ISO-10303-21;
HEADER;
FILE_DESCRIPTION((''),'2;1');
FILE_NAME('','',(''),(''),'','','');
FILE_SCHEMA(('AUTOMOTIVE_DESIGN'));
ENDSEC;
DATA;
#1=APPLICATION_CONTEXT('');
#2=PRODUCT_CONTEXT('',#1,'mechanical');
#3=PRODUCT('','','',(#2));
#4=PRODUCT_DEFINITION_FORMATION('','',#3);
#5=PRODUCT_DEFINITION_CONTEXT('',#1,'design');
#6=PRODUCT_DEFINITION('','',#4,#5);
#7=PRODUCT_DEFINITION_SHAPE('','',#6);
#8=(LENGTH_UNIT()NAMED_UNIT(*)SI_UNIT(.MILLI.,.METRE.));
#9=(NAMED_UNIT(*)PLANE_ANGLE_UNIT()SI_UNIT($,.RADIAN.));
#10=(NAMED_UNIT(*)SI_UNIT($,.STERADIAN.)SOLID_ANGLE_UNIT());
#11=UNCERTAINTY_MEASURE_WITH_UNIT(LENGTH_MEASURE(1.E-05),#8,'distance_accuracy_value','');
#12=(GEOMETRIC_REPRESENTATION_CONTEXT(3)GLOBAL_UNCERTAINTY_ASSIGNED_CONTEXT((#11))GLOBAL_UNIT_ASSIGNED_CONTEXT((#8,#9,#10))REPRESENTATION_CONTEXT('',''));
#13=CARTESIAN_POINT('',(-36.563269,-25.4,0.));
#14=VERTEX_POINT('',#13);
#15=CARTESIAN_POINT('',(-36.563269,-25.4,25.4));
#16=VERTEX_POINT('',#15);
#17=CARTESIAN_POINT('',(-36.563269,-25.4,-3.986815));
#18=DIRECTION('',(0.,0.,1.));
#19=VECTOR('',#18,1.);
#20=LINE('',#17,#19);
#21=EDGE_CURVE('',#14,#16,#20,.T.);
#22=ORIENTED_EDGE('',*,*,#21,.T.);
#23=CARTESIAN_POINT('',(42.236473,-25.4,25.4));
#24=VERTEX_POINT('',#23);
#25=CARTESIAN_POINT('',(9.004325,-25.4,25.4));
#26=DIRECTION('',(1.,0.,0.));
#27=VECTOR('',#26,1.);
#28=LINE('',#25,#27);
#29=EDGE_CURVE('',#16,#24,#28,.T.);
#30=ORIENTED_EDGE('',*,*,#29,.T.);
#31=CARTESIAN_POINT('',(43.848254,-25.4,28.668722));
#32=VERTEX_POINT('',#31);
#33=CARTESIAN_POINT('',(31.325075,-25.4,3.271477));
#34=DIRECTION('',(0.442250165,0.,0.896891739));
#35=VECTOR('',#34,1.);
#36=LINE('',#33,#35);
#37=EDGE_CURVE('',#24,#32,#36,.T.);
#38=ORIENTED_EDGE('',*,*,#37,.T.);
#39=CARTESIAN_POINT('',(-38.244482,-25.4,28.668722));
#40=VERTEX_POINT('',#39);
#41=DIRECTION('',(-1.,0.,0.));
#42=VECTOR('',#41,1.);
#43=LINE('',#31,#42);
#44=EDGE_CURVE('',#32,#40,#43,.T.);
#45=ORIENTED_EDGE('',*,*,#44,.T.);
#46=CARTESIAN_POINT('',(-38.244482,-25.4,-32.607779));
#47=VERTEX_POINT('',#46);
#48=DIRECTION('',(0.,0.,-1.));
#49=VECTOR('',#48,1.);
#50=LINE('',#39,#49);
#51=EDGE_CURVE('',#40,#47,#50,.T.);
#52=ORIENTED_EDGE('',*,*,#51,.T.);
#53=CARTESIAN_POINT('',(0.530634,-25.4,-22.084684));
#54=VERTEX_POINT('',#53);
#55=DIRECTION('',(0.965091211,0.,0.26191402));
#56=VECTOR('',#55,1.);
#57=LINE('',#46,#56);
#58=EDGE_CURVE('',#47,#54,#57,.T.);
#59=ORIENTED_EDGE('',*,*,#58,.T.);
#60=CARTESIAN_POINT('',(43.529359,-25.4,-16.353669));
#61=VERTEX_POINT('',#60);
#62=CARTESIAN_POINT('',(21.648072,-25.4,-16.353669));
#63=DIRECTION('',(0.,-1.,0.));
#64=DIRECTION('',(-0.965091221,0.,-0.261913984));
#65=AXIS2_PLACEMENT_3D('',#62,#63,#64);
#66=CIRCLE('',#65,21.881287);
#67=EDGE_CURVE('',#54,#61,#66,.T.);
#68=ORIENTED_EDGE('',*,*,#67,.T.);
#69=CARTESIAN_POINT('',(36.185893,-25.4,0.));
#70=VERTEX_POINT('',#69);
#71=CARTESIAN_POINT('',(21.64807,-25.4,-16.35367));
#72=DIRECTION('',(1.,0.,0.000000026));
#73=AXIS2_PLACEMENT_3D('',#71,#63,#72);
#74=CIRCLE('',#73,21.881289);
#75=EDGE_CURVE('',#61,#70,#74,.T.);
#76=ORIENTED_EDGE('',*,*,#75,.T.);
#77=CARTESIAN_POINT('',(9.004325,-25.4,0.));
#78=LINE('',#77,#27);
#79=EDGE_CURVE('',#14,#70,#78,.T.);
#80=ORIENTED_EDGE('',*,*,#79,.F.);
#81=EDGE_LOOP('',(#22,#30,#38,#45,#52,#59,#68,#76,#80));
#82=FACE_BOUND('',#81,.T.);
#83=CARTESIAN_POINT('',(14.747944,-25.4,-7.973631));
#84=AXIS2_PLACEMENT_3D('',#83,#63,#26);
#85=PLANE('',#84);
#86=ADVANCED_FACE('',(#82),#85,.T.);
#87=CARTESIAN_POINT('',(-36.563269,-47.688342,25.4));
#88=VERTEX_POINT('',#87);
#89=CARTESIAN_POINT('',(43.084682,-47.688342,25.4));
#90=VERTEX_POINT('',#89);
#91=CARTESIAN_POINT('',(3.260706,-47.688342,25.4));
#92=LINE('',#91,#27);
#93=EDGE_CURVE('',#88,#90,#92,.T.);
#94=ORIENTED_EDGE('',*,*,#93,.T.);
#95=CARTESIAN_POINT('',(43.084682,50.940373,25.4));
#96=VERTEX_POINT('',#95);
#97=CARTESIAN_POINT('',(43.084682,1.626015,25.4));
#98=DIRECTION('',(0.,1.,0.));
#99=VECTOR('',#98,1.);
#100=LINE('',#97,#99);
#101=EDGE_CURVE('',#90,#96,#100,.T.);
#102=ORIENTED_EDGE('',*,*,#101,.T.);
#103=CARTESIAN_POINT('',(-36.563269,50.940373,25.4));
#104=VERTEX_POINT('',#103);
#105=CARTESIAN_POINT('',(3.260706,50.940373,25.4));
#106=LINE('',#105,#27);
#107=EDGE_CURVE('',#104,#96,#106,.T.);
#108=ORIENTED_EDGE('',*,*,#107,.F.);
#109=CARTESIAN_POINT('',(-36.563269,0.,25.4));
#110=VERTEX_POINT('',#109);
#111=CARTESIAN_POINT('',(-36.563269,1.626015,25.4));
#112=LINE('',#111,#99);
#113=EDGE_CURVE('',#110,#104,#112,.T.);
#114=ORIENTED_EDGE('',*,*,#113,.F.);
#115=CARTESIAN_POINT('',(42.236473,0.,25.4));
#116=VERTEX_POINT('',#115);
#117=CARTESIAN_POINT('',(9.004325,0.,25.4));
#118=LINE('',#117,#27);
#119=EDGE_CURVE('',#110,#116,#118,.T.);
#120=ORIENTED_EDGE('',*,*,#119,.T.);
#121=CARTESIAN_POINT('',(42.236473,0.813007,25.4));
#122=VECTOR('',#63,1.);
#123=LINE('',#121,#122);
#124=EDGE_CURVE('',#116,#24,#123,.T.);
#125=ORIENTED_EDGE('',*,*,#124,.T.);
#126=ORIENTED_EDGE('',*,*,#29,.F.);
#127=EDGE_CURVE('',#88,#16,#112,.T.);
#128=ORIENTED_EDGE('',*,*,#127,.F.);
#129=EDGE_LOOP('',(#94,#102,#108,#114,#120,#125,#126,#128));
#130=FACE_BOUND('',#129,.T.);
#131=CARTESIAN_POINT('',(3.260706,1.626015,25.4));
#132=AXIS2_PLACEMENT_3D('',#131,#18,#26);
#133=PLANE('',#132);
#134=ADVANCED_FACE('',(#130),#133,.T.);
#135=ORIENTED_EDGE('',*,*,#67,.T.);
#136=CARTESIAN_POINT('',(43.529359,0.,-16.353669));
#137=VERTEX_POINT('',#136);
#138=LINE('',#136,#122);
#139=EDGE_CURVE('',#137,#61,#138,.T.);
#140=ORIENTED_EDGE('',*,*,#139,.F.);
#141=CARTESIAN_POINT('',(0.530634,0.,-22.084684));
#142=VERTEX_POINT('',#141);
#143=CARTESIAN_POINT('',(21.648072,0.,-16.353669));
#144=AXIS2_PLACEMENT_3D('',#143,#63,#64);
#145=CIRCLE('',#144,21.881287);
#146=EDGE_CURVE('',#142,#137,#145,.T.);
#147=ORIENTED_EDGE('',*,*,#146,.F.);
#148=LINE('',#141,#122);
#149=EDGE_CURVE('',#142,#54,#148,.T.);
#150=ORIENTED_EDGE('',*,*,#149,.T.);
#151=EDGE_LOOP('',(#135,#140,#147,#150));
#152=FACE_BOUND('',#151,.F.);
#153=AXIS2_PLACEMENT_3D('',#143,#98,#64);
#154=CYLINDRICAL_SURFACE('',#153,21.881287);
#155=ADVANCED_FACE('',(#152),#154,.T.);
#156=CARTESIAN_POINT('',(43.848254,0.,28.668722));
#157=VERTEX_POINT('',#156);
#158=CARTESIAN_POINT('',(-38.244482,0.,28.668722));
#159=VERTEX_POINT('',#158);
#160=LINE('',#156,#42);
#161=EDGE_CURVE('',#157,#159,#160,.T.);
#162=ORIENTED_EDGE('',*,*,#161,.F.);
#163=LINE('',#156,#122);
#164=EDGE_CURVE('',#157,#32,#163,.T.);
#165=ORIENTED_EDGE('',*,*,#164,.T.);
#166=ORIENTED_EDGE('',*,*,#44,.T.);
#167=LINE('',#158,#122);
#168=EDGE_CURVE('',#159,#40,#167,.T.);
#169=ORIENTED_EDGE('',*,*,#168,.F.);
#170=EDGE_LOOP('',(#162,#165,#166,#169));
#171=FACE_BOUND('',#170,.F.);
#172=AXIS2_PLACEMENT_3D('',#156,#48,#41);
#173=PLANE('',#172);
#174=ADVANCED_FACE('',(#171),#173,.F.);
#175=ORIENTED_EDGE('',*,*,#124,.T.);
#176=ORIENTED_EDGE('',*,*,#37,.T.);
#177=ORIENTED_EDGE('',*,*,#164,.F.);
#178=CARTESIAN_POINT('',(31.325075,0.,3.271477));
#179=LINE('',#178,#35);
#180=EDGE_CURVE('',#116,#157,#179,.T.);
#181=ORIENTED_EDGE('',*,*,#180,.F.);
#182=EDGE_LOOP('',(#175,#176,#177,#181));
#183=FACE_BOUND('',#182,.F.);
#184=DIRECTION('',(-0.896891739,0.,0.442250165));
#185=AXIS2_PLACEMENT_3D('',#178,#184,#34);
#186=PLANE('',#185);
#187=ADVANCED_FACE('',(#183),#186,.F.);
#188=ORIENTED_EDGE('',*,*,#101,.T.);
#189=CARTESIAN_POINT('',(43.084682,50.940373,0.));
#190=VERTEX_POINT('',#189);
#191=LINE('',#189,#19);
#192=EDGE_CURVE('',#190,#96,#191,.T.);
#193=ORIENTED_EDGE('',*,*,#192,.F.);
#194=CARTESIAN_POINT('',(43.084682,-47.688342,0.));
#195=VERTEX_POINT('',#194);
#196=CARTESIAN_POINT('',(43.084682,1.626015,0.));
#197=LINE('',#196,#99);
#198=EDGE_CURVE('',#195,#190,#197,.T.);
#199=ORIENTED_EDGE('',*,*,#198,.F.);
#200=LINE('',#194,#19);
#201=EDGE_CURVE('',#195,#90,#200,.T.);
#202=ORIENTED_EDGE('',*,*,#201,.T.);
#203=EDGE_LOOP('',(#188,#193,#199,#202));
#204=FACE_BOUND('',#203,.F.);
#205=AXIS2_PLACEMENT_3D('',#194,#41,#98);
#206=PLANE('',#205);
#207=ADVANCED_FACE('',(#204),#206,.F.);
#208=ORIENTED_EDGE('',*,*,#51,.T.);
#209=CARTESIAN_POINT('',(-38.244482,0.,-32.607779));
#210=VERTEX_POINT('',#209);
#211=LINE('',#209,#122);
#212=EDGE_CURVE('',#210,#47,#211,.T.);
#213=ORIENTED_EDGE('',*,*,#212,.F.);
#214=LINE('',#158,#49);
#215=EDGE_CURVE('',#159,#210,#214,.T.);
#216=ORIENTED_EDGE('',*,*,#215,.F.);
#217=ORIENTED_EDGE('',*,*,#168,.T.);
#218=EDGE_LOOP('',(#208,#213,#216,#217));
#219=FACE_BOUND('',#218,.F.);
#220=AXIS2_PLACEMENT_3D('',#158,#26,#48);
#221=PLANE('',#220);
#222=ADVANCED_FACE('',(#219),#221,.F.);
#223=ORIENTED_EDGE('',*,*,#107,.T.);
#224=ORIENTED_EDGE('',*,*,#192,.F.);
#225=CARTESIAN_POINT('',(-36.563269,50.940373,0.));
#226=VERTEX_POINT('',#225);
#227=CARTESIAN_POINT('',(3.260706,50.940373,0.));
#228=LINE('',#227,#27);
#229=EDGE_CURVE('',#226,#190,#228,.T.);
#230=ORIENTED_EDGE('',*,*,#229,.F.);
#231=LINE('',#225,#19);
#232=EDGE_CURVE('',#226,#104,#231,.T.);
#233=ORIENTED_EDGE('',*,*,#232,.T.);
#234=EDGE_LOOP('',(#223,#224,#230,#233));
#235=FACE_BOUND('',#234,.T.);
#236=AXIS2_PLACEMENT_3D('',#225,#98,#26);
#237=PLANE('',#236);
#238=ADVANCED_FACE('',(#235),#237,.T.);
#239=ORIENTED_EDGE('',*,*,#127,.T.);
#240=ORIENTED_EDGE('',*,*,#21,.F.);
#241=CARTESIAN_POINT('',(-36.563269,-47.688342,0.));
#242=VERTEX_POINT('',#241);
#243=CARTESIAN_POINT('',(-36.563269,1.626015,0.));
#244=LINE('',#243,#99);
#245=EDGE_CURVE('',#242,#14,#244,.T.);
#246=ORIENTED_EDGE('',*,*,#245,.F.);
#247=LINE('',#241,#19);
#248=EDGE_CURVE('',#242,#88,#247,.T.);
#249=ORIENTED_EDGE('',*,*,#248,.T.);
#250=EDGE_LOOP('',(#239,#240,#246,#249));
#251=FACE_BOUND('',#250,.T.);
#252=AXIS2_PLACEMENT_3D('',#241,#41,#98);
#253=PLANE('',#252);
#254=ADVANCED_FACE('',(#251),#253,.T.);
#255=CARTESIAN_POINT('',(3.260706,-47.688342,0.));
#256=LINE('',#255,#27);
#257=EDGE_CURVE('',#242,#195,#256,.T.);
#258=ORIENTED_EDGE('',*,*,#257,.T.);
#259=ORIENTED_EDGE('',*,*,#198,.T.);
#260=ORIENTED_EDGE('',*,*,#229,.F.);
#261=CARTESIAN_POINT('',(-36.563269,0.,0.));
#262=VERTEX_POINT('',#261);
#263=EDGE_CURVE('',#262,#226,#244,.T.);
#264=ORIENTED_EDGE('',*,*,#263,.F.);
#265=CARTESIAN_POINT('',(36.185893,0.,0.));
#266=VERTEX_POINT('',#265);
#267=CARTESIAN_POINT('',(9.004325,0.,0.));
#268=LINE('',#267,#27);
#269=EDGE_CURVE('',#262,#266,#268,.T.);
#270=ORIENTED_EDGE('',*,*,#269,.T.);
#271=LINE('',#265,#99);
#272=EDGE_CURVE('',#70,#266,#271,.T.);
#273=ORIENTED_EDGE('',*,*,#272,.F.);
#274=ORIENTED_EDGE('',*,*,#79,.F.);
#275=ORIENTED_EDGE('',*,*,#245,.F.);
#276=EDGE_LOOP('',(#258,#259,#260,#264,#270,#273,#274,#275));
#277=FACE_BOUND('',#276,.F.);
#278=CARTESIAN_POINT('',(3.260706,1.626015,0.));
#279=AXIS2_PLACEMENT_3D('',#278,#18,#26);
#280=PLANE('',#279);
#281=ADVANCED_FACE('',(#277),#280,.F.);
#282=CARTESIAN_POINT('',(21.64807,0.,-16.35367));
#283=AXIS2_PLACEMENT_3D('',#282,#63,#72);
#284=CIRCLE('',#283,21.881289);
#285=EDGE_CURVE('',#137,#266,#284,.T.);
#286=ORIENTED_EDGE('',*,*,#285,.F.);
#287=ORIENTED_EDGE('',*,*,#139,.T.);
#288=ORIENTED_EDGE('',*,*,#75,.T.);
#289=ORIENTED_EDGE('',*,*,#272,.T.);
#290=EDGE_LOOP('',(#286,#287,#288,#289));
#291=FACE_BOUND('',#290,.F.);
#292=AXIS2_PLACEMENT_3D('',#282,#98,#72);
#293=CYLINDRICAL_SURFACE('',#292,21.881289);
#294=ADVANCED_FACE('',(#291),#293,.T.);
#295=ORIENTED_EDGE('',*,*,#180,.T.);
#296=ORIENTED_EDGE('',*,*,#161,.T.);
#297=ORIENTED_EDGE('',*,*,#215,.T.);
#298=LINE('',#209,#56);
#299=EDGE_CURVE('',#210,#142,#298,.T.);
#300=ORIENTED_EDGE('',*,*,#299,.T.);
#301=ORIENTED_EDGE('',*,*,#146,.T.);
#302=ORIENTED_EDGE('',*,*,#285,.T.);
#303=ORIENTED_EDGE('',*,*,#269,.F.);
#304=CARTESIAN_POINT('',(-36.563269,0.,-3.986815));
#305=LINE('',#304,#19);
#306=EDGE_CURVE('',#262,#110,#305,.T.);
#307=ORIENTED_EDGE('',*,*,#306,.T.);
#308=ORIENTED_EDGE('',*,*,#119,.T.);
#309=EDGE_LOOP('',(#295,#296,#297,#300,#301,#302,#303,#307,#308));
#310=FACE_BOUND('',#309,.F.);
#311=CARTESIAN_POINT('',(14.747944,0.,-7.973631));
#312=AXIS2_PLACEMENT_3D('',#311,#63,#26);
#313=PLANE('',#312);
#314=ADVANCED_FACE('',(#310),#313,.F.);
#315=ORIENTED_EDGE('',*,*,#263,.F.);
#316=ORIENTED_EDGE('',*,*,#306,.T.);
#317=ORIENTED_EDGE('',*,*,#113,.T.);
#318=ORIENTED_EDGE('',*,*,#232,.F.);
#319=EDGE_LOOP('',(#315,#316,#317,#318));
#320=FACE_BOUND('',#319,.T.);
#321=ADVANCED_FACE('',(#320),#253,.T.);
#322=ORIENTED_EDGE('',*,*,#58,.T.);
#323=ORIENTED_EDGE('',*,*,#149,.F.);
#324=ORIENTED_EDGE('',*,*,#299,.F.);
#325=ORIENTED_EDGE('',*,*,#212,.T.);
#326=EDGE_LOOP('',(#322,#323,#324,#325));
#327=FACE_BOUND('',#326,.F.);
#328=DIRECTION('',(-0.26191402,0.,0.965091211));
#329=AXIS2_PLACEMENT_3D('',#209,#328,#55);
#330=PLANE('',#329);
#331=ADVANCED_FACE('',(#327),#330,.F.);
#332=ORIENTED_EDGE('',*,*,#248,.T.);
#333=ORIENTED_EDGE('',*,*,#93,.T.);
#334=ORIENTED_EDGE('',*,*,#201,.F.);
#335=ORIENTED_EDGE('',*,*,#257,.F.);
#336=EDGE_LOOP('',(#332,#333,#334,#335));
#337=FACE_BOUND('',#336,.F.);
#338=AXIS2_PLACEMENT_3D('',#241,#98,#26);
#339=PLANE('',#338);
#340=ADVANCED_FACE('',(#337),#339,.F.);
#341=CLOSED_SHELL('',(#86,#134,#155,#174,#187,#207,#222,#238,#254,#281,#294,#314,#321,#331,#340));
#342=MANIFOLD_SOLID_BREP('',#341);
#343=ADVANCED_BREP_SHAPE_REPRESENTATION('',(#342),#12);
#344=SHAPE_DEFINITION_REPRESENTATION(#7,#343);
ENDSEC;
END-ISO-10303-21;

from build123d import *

# Parameters (mm, degrees)
F1_W     = 79.647951
F1_H     = 98.628715
F2_DEPTH = 25.4
F3_DEPTH = 25.4


with BuildPart() as f2:
    # F1 (on Top) → F2 (new body)
    with BuildSketch(Plane.XY):
        with Locations((3.260706, 1.626015)):
            Rectangle(F1_W, F1_H)
    extrude(amount=F2_DEPTH)

    # F0 (on Front) → F3 (join)
    with BuildSketch(Plane.XZ):
        with BuildLine():
            Line((21.648072, -16.353669), (31.325075, 3.271477))
            ThreePointArc((31.325075, 3.271477), (7.739275, 0.538226), (0.530634, -22.084684))
            Line((0.530634, -22.084684), (21.648072, -16.353669))
        make_face()
        Polygon((43.848254, 28.668722), (-38.244482, 28.668722), (-38.244482, -32.607779), align=None)
        with BuildLine():
            Line((31.325075, 3.271477), (43.848254, 28.668722))
            Line((43.848254, 28.668722), (-38.244482, -32.607779))
            Line((-38.244482, -32.607779), (0.530634, -22.084684))
            ThreePointArc((0.530634, -22.084684), (7.739275, 0.538226), (31.325075, 3.271477))
        make_face()
        with BuildLine():
            ThreePointArc((43.529359, -16.353669), (40.22946, -4.798465), (31.325075, 3.271477))
            Line((31.325075, 3.271477), (21.648072, -16.353669))
            Line((21.648072, -16.353669), (0.530634, -22.084684))
            ThreePointArc((0.530634, -22.084684), (24.53892, -38.043153), (43.529359, -16.353669))
        make_face()
    extrude(amount=F3_DEPTH)


solid = f2.part
